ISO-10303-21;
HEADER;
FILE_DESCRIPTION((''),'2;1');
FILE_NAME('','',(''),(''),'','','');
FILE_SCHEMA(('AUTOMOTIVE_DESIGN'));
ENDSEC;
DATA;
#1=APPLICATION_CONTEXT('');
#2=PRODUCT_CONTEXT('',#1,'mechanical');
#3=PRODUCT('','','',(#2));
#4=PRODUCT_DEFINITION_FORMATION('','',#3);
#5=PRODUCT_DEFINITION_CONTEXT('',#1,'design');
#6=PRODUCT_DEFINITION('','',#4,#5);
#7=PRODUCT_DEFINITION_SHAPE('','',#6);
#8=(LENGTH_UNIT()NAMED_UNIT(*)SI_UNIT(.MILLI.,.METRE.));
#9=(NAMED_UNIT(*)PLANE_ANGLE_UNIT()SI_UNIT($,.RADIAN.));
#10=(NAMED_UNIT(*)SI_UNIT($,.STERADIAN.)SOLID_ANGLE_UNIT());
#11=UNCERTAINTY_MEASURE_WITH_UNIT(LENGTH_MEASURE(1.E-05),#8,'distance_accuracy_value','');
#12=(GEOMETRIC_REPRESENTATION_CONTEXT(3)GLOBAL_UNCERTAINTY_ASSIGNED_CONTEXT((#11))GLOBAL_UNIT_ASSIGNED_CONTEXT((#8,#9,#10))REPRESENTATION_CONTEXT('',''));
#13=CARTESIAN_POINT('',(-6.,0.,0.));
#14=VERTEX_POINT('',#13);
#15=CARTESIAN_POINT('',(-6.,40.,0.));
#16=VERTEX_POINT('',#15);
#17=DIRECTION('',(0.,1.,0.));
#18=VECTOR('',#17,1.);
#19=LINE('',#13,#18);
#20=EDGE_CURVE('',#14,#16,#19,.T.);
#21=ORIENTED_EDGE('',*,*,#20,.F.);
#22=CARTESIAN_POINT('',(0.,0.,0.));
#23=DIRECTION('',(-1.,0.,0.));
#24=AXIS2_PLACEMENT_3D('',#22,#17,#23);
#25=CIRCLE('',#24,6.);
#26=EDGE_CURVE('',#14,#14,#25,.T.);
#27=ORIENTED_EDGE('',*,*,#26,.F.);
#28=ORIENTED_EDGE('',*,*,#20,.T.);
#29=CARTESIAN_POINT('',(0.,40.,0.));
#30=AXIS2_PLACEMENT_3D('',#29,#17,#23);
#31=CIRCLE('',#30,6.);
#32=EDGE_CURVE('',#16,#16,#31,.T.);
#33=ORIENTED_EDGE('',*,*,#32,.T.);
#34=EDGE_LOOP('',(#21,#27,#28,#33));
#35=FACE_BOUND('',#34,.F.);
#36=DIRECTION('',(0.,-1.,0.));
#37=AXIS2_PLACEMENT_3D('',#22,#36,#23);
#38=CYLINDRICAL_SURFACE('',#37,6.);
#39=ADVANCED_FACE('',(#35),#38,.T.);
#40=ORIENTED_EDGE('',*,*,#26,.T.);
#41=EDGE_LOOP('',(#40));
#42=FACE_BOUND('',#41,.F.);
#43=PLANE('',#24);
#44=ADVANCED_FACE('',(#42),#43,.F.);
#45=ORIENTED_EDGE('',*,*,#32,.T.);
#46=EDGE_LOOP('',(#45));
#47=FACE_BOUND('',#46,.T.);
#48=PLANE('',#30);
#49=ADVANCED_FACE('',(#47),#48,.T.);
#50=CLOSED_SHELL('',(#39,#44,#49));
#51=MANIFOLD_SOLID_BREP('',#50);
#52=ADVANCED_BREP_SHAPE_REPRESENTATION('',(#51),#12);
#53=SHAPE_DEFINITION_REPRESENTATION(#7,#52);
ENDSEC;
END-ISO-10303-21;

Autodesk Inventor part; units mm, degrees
ref_plane "YZ Plane" through (0, 0, 0) normal (1, 0, 0) x (0, 1, 0)
ref_plane "XZ Plane" through (0, 0, 0) normal (0, 1, 0) x (-1, 0, 0)
ref_plane "XY Plane" through (0, 0, 0) normal (0, 0, 1) x (1, 0, 0)
sketch "Sketch1" plane through (0, 0, 0) normal (0, 1, 0) x (-1, 0, 0)
  circle A0 centre (0, 0) radius 6
  dimension "d0" = 12
extrude "Extrusion1" add sketch "Sketch1" along normal blind 40
properties part number "connecting shaft" material "Steel"
